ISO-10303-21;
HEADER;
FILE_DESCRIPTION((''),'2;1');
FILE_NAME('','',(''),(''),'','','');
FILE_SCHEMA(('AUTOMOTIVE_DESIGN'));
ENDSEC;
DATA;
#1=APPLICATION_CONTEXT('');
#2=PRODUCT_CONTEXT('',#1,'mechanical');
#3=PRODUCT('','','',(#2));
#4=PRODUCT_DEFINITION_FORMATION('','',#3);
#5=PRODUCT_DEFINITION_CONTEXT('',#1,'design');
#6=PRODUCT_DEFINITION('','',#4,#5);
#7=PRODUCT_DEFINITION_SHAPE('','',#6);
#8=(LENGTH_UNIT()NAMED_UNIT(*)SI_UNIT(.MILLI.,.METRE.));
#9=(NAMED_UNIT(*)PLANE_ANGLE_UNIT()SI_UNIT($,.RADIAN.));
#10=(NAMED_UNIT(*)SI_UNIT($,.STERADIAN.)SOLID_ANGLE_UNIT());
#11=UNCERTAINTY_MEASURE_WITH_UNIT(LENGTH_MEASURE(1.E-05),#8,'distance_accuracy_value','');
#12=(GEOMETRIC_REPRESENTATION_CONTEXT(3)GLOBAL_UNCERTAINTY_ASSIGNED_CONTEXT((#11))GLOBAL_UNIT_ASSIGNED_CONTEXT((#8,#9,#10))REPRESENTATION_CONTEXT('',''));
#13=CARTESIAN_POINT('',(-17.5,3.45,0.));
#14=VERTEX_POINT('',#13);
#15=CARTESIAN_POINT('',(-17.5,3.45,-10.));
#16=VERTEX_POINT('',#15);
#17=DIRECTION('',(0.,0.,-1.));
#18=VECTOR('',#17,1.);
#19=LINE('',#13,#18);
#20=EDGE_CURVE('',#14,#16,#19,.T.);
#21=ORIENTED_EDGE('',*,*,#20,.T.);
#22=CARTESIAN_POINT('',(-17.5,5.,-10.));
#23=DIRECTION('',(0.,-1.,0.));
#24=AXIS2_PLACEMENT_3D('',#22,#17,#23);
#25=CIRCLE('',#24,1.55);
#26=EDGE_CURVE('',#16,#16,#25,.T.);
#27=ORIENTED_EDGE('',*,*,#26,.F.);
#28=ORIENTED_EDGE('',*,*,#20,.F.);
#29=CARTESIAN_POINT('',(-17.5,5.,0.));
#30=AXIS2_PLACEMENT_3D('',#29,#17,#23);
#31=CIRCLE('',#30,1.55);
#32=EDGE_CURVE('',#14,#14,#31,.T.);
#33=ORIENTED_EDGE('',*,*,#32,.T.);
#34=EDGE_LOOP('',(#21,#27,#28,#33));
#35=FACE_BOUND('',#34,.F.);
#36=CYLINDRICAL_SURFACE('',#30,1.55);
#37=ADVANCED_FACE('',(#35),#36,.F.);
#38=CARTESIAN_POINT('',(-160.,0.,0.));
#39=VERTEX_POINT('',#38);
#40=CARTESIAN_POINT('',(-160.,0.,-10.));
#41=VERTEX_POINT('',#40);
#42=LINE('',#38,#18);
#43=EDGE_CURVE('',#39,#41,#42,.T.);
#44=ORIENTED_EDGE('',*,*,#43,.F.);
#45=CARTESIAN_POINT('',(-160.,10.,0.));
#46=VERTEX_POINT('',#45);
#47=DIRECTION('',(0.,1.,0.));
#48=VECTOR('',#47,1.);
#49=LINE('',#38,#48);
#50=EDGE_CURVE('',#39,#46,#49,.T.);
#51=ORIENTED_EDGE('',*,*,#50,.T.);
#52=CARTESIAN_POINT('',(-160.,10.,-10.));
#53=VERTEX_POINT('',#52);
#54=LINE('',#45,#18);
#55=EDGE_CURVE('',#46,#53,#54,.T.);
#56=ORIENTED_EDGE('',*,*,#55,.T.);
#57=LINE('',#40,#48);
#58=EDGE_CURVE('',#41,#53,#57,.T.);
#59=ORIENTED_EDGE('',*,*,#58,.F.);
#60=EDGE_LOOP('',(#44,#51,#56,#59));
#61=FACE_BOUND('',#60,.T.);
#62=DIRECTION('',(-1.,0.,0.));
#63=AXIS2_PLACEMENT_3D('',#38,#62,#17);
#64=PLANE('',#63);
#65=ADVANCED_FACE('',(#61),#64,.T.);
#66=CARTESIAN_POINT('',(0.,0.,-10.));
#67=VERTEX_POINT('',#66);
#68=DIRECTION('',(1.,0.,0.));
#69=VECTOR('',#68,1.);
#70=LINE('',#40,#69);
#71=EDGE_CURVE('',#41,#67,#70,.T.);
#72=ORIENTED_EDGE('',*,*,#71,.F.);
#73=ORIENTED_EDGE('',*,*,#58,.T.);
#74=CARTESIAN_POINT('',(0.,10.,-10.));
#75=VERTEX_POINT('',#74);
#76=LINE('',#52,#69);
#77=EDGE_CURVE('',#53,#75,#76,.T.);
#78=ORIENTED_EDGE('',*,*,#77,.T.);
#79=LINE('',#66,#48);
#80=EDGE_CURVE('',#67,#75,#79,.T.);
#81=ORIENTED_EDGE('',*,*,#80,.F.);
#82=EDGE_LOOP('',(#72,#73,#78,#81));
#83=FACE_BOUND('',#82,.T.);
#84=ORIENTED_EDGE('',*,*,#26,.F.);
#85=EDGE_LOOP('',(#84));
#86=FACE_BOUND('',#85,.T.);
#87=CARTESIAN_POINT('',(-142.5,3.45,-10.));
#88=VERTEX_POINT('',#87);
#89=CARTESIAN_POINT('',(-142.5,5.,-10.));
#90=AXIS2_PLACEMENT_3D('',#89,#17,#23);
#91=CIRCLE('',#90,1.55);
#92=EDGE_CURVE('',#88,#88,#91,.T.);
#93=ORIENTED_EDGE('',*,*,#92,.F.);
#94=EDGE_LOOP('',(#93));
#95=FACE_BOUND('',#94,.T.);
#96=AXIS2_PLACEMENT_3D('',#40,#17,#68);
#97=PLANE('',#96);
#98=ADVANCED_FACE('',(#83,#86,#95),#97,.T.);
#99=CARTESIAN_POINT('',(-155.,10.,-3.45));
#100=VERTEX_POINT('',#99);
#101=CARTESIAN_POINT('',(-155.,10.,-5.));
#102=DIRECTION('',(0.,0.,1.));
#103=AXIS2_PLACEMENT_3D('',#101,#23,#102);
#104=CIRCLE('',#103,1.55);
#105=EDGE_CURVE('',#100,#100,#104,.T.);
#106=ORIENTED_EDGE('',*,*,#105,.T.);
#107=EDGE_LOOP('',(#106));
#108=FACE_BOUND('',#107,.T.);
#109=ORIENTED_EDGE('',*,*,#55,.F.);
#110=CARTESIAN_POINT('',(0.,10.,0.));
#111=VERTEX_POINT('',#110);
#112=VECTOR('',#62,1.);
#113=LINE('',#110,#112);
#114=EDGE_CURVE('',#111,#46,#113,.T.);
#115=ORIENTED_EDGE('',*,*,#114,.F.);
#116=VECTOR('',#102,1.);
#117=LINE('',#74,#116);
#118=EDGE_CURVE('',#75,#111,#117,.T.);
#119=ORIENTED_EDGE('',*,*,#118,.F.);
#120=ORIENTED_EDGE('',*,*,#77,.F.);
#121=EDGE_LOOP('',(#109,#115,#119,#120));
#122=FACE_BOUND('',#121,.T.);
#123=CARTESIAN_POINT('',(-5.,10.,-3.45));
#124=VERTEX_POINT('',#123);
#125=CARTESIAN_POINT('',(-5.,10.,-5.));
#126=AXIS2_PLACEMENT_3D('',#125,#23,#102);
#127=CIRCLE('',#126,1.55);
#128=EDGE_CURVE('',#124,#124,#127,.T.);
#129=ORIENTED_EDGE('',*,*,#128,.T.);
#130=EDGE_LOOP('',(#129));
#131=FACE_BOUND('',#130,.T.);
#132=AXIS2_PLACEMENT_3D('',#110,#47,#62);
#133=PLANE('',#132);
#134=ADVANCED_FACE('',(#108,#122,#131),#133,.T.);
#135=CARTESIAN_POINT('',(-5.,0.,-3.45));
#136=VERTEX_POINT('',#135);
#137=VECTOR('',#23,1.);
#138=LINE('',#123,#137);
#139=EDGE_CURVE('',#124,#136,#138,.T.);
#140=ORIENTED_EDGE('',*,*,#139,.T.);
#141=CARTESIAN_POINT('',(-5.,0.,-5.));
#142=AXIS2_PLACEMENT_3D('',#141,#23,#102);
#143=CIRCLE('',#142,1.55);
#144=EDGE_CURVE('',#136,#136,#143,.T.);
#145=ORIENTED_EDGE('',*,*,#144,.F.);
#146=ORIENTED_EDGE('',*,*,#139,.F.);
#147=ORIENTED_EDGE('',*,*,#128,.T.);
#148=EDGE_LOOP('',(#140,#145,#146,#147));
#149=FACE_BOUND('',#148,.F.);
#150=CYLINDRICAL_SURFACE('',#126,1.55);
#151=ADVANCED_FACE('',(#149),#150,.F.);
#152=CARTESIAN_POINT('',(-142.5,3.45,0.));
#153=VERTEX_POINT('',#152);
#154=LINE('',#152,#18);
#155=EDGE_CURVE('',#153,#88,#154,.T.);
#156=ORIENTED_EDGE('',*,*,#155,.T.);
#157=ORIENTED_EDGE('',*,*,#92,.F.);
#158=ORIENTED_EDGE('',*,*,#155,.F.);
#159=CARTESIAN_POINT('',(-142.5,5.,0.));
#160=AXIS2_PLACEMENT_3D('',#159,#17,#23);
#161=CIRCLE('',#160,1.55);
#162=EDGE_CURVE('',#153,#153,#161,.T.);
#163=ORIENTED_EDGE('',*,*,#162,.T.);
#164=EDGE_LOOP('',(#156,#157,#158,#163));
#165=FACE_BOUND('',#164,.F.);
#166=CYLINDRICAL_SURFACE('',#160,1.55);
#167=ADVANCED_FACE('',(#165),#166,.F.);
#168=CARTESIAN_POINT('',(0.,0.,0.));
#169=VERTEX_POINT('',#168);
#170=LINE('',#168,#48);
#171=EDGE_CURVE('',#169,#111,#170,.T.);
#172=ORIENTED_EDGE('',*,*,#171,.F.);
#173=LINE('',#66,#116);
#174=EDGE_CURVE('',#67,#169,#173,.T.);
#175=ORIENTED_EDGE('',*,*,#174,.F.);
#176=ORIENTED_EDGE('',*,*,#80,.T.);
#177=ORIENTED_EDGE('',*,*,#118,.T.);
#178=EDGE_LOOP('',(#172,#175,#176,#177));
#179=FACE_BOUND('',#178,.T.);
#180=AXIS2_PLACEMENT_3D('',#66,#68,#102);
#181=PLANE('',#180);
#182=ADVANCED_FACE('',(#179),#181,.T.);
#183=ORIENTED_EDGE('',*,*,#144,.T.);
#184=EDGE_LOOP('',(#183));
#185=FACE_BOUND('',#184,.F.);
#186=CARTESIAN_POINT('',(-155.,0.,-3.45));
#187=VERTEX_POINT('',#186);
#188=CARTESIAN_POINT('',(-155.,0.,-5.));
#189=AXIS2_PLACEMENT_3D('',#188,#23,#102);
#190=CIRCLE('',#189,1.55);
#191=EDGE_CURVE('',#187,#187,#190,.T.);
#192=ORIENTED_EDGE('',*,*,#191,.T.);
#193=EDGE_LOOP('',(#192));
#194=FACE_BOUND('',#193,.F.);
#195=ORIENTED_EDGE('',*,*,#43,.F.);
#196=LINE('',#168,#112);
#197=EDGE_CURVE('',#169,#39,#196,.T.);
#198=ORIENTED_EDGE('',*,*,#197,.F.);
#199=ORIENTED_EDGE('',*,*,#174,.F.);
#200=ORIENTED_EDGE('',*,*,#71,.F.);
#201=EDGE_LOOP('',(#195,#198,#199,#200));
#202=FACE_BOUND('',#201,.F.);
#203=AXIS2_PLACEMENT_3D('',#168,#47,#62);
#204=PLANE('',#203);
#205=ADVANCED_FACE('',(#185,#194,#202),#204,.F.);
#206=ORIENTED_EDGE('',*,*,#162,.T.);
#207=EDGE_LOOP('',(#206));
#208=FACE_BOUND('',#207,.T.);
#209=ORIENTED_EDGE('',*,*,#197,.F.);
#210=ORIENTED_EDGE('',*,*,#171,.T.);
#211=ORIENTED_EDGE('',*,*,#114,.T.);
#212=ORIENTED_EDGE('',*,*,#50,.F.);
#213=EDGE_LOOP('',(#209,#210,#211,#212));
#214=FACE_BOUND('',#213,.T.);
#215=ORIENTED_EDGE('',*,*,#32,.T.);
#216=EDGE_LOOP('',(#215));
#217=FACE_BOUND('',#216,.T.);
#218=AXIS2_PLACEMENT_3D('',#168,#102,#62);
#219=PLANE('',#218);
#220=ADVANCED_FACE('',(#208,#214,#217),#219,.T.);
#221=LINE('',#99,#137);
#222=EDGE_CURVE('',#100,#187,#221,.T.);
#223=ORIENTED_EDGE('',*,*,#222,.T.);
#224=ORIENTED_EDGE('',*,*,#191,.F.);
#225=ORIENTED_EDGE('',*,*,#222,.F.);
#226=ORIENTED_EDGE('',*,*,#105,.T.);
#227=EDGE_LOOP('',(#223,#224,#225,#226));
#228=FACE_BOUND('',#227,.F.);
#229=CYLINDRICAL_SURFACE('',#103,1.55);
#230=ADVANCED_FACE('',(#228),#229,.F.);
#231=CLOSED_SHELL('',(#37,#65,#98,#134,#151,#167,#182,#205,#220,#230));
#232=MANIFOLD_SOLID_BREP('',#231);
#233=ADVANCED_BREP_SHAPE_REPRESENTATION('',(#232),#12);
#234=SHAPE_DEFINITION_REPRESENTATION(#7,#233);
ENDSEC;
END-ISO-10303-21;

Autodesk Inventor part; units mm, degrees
ref_plane "YZ Plane" through (0, 0, 0) normal (1, 0, 0) x (0, 1, 0)
ref_plane "XZ Plane" through (0, 0, 0) normal (0, 1, 0) x (-1, 0, 0)
ref_plane "XY Plane" through (0, 0, 0) normal (0, 0, 1) x (1, 0, 0)
sketch "スケッチ1" plane through (0, 0, 0) normal (0, 1, 0) x (-1, 0, 0)
  line L0 (0, 0) -> (160, 0)
  line L1 (160, 0) -> (160, -10)
  line L2 (160, -10) -> (0, -10)
  line L3 (0, -10) -> (0, 0)
  dimension "d0" = 160
  dimension "d1" = 10
extrude "押し出し1" add sketch "スケッチ1" along normal blind 10
sketch "スケッチ2" plane through (0, 10, 0) normal (0, 1, 0) x (1, 0, 0)
  line L0 (-160, 10) -> (-160, 0) projected
  line L1 (0, 0) -> (0, 10) projected
  point P0 (-5, 5)
  point P1 (-155, 5)
  point P2 (-160, 5)
  point P3 (0, 5)
  point P4 (0, 5)
  point P5 (-160, 5)
  dimension "d4" = 5
  dimension "d5" = 5
hole "穴1" at (-5, 10, -5) at (-155, 10, -5) direction (0, -1, 0) diameter 3.1 end through all
sketch "スケッチ3" plane through (-160, 0, 0) normal (0, 0, 1) x (1, 0, 0)
  line L0 (160, 0) -> (160, 10) projected
  line L1 (0, 0) -> (0, 10) projected
  point P0 (17.5, 5)
  point P1 (142.5, 5)
  point P2 (160, 5)
  point P3 (0, 5)
  point P4 (160, 5)
  point P5 (0, 5)
  dimension "d13" = 17.5
  dimension "d14" = 17.5
hole "穴2" at (-142.5, 5, 0) at (-17.5, 5, 0) direction (0, 0, -1) diameter 3.1 end through all
properties part number "Shita"
